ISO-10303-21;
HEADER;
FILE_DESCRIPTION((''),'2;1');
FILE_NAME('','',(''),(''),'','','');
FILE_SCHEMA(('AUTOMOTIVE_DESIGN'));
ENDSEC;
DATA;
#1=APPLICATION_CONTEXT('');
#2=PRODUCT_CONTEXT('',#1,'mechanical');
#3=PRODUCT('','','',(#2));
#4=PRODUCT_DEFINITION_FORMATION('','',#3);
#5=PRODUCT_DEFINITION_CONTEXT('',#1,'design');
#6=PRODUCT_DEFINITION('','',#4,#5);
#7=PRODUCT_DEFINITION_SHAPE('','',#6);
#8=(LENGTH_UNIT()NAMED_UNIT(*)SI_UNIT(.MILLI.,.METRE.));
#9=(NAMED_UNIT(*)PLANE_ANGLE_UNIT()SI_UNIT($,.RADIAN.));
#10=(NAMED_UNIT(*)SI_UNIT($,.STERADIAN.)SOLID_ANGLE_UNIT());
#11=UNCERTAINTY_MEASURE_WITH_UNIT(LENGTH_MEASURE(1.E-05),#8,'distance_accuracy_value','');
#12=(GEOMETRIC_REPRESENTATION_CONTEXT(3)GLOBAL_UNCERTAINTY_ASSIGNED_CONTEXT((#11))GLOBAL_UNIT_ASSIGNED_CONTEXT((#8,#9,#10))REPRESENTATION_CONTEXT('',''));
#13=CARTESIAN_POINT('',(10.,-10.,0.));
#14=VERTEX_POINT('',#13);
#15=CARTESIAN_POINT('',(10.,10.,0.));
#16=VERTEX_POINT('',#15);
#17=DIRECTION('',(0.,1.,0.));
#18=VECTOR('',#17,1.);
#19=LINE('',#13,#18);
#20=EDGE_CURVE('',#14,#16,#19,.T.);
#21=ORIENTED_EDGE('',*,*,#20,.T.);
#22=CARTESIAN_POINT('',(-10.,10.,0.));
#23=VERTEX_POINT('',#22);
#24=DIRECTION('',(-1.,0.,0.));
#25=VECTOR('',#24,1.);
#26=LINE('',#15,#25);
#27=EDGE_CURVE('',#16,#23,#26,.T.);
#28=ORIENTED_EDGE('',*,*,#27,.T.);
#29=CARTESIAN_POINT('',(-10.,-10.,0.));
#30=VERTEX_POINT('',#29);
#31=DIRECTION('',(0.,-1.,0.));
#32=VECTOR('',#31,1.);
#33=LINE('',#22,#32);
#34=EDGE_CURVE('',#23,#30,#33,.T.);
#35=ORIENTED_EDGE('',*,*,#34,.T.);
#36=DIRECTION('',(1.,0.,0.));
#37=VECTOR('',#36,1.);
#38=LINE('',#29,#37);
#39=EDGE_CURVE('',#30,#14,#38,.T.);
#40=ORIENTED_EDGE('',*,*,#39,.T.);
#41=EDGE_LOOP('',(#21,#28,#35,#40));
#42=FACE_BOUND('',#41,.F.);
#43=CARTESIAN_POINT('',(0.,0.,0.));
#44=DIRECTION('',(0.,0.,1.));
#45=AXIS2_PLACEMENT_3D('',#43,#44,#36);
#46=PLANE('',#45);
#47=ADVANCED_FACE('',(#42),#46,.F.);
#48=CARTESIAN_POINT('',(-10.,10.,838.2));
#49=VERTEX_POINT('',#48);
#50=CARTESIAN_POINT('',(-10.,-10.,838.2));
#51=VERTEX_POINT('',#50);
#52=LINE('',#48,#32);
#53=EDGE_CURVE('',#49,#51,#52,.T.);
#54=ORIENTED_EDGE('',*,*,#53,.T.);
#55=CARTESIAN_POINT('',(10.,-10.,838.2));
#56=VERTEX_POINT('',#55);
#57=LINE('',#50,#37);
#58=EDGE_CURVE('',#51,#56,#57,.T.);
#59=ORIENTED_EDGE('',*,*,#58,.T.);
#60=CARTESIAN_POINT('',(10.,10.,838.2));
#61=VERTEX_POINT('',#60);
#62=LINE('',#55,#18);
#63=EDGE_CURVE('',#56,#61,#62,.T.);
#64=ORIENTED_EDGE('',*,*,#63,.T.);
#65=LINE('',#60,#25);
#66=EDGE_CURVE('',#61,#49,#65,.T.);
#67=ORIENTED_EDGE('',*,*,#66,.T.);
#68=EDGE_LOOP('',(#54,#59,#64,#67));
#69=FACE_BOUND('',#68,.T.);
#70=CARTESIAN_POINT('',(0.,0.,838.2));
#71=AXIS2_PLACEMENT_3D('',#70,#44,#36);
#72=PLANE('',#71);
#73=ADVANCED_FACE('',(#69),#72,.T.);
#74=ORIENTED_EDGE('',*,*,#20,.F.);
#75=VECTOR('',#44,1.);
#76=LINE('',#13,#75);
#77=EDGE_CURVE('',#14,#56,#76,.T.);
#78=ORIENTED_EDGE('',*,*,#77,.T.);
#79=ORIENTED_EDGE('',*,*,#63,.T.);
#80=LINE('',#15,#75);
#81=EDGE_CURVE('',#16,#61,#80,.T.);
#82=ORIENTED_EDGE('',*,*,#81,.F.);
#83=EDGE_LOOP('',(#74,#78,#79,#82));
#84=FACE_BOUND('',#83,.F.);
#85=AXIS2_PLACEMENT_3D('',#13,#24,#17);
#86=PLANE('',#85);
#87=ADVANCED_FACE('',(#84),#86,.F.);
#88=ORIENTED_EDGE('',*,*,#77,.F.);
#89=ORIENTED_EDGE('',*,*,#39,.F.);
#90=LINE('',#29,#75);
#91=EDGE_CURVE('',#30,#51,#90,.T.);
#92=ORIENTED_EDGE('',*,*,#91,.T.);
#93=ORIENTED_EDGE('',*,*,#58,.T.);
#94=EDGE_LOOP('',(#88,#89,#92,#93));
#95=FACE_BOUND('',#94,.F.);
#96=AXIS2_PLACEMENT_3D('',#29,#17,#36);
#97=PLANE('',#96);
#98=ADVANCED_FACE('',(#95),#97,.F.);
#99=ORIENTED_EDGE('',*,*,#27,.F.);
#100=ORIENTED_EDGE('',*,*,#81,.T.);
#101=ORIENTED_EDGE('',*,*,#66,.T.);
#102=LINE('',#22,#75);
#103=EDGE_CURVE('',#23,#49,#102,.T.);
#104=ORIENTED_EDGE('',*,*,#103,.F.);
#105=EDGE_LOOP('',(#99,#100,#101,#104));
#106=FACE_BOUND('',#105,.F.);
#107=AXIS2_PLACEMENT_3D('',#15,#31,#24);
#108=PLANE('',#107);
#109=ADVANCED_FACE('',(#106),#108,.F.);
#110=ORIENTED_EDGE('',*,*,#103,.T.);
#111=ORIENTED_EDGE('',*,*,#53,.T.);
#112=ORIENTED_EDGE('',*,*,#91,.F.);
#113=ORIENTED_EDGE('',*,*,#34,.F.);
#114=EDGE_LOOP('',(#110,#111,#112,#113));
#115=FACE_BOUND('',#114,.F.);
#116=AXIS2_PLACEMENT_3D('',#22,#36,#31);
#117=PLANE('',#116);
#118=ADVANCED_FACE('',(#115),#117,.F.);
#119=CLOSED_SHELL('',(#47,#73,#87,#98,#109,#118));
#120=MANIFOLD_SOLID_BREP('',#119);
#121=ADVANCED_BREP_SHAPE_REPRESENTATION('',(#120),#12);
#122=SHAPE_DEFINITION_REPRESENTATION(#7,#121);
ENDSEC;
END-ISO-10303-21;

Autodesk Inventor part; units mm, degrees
ref_plane "YZ Plane" through (0, 0, 0) normal (1, 0, 0) x (0, 1, 0)
ref_plane "XZ Plane" through (0, 0, 0) normal (0, 1, 0) x (-1, 0, 0)
sketch "Sketch1" plane through (0, 0, 0) normal (0, 0, 1) x (1, 0, 0)
  line L0 (10, 10) -> (-10, 10)
  line L1 (-10, 10) -> (-10, -10)
  line L2 (-10, -10) -> (10, -10)
  line L3 (10, -10) -> (10, 10)
  line L4 (10, 10) -> (-10, -10) construction
  line L5 (-10, 10) -> (10, -10) construction
  point P0 (0, 0)
  dimension "d0" = 20
  dimension "d1" = 20
ref_plane "Work Plane1" through (-10, -6.4429, 838.2) normal (0, 0, -1) x (0, 1, 0)
extrude "Extrusion1" add sketch "Sketch1" along normal up to surface (838.2 mm away)
properties part number "Alum 32in bar"
